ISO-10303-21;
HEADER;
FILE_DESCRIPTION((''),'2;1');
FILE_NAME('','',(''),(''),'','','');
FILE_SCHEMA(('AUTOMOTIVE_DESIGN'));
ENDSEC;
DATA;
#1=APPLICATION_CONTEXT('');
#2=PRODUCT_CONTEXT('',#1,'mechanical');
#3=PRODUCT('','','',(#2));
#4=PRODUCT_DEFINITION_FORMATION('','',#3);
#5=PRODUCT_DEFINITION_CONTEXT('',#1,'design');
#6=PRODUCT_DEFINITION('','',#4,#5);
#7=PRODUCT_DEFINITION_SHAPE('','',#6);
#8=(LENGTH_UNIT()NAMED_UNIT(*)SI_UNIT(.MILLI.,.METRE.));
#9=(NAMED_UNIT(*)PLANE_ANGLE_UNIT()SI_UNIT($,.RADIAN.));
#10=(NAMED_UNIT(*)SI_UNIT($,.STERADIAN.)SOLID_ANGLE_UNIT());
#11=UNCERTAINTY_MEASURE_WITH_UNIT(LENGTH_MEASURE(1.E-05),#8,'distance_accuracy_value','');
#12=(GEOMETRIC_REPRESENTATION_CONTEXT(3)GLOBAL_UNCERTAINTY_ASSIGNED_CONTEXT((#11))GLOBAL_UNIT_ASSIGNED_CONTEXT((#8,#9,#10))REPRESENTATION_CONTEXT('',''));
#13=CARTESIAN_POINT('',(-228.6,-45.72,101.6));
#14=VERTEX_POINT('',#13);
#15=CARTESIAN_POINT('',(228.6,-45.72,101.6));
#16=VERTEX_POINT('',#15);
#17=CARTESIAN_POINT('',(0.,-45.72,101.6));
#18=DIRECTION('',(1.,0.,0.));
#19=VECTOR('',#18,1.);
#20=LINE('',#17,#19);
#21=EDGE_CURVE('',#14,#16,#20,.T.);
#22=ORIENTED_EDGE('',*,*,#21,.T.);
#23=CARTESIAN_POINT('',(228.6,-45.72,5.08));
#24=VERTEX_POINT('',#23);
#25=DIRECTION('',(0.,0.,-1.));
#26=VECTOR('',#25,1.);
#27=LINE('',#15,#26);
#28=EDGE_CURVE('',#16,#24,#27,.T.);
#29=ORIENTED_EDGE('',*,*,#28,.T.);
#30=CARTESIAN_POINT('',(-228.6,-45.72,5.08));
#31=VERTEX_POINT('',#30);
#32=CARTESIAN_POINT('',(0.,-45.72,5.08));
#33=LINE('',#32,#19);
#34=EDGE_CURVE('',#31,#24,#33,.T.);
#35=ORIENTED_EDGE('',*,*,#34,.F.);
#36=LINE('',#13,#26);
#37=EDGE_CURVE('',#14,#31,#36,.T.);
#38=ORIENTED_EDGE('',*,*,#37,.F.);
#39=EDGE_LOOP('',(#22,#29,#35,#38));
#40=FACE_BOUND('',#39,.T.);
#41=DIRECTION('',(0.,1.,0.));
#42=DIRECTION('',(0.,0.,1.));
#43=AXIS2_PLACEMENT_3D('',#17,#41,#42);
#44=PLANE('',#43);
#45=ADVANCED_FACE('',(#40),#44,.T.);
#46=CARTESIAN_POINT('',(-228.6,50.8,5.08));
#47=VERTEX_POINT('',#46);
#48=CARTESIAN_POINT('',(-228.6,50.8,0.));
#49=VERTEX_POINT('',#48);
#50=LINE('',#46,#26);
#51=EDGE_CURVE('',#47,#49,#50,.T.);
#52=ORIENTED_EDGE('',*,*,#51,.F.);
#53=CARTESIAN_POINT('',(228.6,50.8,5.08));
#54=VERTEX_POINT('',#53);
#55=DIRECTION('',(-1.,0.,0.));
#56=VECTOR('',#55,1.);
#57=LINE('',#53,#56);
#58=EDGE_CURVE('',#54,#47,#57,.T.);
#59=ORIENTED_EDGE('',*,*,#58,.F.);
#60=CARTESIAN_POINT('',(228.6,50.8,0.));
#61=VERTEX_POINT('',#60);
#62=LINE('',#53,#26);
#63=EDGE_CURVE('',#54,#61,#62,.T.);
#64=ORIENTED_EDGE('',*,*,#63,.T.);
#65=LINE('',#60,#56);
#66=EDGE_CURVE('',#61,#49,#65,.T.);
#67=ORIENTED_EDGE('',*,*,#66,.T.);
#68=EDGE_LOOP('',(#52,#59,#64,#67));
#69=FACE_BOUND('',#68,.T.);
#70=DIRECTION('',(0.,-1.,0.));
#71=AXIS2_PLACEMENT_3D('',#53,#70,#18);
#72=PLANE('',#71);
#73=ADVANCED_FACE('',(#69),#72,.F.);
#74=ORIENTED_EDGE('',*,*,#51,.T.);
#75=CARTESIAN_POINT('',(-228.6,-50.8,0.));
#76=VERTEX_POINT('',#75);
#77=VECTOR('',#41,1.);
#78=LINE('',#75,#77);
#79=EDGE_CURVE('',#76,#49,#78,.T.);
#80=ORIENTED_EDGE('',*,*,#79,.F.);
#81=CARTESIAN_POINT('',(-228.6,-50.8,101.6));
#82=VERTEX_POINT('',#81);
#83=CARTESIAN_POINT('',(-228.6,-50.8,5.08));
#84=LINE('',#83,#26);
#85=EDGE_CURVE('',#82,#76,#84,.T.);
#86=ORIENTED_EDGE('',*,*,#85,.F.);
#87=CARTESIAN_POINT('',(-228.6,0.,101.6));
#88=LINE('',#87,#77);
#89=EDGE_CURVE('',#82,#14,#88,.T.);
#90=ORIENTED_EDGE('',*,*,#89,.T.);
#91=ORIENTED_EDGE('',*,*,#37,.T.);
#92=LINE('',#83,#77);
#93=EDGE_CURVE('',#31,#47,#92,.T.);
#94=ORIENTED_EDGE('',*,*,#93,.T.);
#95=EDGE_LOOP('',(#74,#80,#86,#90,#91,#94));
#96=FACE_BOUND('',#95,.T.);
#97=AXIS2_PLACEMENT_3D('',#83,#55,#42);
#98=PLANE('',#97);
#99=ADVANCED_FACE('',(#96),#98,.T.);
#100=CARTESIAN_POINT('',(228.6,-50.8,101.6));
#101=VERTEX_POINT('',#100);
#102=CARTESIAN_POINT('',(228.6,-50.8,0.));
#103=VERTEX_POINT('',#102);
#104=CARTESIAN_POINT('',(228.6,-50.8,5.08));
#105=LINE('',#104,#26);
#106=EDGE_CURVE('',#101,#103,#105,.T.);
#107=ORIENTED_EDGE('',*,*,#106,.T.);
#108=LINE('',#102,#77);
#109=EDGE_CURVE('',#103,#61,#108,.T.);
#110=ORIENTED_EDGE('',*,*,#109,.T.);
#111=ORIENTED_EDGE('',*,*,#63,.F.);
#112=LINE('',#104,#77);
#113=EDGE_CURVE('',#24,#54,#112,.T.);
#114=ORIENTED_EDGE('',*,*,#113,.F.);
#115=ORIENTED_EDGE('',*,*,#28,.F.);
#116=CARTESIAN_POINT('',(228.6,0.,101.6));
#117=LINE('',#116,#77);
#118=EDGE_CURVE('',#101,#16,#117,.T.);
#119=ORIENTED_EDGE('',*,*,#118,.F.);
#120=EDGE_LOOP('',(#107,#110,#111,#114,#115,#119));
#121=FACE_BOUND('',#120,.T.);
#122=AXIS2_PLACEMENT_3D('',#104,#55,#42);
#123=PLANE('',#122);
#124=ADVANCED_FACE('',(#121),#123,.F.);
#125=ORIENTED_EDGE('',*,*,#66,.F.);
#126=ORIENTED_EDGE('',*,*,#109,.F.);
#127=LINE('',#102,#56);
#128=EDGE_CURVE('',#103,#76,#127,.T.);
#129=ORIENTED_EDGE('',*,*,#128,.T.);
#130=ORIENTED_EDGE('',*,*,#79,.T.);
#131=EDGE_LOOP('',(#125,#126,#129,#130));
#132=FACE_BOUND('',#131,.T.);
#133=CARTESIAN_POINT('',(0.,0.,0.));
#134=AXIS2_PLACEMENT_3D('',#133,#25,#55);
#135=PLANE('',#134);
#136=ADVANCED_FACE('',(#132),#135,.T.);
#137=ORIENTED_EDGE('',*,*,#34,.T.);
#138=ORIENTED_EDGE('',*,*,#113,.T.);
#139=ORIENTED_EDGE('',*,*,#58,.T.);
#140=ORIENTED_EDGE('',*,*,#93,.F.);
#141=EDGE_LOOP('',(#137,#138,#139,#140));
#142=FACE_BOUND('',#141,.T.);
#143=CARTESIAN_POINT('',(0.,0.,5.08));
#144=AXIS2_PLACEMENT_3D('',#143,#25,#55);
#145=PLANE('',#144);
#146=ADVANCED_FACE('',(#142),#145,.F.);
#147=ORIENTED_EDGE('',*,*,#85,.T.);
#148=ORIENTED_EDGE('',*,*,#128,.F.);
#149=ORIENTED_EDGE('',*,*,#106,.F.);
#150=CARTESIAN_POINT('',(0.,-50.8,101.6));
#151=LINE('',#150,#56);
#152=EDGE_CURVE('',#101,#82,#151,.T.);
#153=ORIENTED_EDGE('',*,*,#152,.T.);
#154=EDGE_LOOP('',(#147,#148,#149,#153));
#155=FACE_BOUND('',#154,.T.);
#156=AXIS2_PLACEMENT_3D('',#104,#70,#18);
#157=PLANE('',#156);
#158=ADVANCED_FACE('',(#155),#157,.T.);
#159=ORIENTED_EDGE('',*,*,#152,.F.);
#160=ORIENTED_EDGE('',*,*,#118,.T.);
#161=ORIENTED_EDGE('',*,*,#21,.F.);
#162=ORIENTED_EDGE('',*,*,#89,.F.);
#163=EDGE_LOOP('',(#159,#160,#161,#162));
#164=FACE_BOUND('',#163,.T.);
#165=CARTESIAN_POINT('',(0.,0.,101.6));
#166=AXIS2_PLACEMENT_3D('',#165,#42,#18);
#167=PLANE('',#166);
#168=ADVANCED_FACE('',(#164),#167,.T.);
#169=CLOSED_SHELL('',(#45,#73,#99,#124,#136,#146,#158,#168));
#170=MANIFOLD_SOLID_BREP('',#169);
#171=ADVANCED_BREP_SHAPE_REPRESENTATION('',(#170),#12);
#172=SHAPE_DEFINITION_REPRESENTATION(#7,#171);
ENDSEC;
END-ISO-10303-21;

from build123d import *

# Parameters (mm, degrees)
SKETCH1_W           = 457.2
SKETCH1_H           = 101.6
BOSS_EXTRUDE1_DEPTH = 5.08
SKETCH1_4_W         = 457.2
SKETCH1_4_H         = 5.08
BOSS_EXTRUDE2_DEPTH = 101.6


with BuildPart() as part:
    # Sketch1 → Boss-Extrude1 (new body)
    with BuildSketch(Plane.XY):
        Rectangle(SKETCH1_W, SKETCH1_H)
    extrude(amount=BOSS_EXTRUDE1_DEPTH)

    # Sketch1<4> → Boss-Extrude2 (add)
    with BuildSketch(Plane.XY):
        with Locations((0, -48.26)):
            Rectangle(SKETCH1_4_W, SKETCH1_4_H)
    extrude(amount=BOSS_EXTRUDE2_DEPTH)


solid = part.part
